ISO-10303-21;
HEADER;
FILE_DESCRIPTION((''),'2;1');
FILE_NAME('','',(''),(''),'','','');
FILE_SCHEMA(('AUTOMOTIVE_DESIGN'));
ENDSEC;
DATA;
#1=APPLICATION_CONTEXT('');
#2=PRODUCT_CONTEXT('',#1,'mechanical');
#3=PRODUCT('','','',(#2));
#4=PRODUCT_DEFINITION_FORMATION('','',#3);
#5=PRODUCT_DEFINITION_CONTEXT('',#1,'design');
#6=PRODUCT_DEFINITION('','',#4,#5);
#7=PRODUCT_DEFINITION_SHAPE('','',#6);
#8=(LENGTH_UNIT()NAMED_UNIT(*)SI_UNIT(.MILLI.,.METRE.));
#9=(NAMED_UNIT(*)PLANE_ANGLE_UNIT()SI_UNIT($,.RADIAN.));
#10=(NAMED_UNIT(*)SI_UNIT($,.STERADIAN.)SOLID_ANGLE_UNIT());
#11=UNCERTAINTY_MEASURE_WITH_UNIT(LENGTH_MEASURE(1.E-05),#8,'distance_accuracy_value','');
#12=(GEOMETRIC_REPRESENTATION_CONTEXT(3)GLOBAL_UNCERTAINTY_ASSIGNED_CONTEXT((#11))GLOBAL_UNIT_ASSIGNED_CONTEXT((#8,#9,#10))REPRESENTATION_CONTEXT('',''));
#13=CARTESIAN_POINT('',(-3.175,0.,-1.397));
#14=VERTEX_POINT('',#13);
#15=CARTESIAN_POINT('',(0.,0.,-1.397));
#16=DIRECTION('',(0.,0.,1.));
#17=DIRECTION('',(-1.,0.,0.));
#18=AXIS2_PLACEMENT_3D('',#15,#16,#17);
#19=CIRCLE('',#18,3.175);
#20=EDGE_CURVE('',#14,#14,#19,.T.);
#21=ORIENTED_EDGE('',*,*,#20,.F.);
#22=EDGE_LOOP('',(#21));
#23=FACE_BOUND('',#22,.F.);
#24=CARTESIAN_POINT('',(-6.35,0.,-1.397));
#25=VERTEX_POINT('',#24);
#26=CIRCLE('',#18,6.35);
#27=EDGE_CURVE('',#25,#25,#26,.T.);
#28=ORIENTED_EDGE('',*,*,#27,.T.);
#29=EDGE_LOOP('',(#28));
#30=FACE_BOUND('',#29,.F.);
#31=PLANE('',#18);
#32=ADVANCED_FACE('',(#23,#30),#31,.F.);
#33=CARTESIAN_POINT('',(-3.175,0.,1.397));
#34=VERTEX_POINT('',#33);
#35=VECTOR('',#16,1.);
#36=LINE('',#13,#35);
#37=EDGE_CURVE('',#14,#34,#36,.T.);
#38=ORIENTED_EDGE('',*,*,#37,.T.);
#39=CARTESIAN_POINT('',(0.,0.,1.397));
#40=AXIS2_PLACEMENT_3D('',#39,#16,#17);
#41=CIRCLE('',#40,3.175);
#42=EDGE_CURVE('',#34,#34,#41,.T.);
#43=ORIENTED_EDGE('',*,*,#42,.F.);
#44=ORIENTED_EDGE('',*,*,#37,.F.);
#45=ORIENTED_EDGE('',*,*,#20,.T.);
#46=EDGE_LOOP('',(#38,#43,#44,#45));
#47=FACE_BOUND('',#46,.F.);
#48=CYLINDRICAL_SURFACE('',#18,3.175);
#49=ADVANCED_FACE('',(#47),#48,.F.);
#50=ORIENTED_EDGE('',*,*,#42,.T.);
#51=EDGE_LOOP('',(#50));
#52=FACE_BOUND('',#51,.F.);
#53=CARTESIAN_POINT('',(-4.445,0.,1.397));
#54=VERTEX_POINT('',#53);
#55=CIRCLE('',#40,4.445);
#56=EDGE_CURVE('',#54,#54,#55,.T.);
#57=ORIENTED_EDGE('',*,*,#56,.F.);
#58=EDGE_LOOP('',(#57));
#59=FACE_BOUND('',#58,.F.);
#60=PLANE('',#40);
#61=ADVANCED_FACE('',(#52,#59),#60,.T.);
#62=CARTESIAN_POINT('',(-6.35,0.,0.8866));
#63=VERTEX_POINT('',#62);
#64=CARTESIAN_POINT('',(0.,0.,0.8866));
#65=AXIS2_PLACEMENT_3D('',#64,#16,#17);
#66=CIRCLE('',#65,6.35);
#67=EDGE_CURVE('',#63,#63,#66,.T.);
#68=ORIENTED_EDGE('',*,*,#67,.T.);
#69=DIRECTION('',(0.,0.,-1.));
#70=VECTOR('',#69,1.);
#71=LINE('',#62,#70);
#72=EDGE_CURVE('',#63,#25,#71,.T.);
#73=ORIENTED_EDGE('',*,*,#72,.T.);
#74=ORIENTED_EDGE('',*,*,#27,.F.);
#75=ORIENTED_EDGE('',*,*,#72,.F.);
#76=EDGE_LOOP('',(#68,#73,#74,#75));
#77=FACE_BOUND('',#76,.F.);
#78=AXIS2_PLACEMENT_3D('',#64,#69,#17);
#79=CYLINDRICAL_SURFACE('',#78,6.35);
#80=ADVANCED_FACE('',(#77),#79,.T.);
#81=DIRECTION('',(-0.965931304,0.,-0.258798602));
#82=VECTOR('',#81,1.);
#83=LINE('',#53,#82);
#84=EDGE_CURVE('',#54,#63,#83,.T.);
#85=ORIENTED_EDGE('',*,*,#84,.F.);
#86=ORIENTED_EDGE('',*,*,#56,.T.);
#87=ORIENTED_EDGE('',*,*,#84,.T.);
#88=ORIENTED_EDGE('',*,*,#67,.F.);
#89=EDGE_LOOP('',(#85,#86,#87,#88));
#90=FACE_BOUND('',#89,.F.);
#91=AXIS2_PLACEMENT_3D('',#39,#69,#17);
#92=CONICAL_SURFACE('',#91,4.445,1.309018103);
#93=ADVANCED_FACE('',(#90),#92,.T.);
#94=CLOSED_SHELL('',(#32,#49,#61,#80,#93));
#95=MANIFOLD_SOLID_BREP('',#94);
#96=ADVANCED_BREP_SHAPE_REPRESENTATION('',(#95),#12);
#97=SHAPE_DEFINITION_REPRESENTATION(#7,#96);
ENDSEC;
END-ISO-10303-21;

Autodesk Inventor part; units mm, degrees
ref_plane "YZ Plane" through (0, 0, 0) normal (1, 0, 0) x (0, 1, 0)
ref_plane "XZ Plane" through (0, 0, 0) normal (0, 1, 0) x (-1, 0, 0)
ref_plane "XY Plane" through (0, 0, 0) normal (0, 0, 1) x (1, 0, 0)
sketch "Sketch2" plane through (0, 0, 0) normal (0, 1, 0) x (-1, 0, 0)
  line L0 (3.175, -1.397) -> (3.175, 1.397)
  line L1 (6.35, 0.8866) -> (6.35, -1.397)
  line L2 (6.35, -1.397) -> (3.175, -1.397)
  line L3 (0, -1.9558) -> (0, 1.9558) construction
  line L4 (3.175, 1.397) -> (4.445, 1.397)
  line L5 (4.445, 1.397) -> (6.35, 0.8866)
  point P0 (0, 0)
  point P1 (3.175, 0)
  dimension "d0" = 6.35
  dimension "d1" = 12.7
  dimension "d7" = 2.794
  dimension "d8" = 15
  dimension "d9" = 1.27
revolve "Revolution1" add sketch "Sketch2" angle 360 about axis through (0, 0, -10) along (0, 0, 1)
properties part number "SPACER,BEARING,SLIDE,ELEVATOR" material "3D Print Material - chopped carbon Nylon12 (preferred)"
